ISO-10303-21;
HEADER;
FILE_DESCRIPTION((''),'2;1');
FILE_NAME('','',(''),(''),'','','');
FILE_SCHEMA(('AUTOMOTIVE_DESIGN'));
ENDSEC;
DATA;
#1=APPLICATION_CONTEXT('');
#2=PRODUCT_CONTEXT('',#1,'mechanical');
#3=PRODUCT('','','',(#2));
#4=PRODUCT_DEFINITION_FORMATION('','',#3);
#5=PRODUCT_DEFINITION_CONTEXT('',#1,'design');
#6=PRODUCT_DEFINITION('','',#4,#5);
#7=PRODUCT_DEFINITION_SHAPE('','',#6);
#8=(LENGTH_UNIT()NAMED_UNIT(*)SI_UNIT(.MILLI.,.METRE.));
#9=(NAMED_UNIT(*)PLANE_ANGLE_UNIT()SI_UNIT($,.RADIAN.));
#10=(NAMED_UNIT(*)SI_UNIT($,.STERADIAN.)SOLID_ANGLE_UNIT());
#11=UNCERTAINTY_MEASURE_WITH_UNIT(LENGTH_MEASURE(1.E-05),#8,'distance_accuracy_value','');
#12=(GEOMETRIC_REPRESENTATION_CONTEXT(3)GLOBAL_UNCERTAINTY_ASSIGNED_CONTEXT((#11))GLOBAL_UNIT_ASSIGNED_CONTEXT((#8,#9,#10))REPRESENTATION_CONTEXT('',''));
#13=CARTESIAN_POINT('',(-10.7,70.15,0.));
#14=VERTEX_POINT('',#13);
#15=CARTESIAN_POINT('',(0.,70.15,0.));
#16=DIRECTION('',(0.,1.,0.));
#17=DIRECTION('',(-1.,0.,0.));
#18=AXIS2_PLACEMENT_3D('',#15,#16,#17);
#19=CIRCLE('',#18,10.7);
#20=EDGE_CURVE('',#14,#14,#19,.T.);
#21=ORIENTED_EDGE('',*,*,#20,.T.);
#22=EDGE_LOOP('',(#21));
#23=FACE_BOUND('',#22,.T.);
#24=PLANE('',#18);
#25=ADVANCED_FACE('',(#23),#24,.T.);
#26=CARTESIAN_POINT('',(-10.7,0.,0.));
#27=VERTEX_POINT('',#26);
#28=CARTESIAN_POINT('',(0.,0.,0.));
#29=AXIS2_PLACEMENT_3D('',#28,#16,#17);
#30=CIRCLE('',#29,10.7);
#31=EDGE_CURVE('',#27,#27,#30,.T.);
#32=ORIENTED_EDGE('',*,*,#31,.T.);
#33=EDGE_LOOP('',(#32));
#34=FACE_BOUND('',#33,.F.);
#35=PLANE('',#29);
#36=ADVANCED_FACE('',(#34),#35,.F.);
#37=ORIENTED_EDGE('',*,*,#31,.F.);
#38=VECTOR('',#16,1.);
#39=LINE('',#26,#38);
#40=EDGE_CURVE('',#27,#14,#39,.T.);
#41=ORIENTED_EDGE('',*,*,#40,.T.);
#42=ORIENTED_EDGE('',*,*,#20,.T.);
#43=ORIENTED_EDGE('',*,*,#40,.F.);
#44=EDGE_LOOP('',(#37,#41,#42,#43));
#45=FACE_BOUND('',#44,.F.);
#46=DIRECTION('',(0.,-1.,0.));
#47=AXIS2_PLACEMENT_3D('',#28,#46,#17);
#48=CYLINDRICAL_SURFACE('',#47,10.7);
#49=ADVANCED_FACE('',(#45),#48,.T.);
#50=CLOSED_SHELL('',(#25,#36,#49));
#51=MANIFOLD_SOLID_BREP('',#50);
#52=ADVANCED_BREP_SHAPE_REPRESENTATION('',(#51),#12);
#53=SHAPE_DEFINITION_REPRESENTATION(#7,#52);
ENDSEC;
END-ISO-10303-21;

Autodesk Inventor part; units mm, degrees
ref_plane "YZ Plane" through (0, 0, 0) normal (1, 0, 0) x (0, 1, 0)
ref_plane "XZ Plane" through (0, 0, 0) normal (0, 1, 0) x (-1, 0, 0)
ref_plane "XY Plane" through (0, 0, 0) normal (0, 0, 1) x (1, 0, 0)
sketch "Skizze1" plane through (0, 0, 0) normal (0, 1, 0) x (-1, 0, 0)
  circle A0 centre (0, 0) radius 10.7
  dimension "d0" = 21.4
extrude "Extrusion1" add sketch "Skizze1" along normal blind 70.15
properties part number "Li-Io Zelle"
